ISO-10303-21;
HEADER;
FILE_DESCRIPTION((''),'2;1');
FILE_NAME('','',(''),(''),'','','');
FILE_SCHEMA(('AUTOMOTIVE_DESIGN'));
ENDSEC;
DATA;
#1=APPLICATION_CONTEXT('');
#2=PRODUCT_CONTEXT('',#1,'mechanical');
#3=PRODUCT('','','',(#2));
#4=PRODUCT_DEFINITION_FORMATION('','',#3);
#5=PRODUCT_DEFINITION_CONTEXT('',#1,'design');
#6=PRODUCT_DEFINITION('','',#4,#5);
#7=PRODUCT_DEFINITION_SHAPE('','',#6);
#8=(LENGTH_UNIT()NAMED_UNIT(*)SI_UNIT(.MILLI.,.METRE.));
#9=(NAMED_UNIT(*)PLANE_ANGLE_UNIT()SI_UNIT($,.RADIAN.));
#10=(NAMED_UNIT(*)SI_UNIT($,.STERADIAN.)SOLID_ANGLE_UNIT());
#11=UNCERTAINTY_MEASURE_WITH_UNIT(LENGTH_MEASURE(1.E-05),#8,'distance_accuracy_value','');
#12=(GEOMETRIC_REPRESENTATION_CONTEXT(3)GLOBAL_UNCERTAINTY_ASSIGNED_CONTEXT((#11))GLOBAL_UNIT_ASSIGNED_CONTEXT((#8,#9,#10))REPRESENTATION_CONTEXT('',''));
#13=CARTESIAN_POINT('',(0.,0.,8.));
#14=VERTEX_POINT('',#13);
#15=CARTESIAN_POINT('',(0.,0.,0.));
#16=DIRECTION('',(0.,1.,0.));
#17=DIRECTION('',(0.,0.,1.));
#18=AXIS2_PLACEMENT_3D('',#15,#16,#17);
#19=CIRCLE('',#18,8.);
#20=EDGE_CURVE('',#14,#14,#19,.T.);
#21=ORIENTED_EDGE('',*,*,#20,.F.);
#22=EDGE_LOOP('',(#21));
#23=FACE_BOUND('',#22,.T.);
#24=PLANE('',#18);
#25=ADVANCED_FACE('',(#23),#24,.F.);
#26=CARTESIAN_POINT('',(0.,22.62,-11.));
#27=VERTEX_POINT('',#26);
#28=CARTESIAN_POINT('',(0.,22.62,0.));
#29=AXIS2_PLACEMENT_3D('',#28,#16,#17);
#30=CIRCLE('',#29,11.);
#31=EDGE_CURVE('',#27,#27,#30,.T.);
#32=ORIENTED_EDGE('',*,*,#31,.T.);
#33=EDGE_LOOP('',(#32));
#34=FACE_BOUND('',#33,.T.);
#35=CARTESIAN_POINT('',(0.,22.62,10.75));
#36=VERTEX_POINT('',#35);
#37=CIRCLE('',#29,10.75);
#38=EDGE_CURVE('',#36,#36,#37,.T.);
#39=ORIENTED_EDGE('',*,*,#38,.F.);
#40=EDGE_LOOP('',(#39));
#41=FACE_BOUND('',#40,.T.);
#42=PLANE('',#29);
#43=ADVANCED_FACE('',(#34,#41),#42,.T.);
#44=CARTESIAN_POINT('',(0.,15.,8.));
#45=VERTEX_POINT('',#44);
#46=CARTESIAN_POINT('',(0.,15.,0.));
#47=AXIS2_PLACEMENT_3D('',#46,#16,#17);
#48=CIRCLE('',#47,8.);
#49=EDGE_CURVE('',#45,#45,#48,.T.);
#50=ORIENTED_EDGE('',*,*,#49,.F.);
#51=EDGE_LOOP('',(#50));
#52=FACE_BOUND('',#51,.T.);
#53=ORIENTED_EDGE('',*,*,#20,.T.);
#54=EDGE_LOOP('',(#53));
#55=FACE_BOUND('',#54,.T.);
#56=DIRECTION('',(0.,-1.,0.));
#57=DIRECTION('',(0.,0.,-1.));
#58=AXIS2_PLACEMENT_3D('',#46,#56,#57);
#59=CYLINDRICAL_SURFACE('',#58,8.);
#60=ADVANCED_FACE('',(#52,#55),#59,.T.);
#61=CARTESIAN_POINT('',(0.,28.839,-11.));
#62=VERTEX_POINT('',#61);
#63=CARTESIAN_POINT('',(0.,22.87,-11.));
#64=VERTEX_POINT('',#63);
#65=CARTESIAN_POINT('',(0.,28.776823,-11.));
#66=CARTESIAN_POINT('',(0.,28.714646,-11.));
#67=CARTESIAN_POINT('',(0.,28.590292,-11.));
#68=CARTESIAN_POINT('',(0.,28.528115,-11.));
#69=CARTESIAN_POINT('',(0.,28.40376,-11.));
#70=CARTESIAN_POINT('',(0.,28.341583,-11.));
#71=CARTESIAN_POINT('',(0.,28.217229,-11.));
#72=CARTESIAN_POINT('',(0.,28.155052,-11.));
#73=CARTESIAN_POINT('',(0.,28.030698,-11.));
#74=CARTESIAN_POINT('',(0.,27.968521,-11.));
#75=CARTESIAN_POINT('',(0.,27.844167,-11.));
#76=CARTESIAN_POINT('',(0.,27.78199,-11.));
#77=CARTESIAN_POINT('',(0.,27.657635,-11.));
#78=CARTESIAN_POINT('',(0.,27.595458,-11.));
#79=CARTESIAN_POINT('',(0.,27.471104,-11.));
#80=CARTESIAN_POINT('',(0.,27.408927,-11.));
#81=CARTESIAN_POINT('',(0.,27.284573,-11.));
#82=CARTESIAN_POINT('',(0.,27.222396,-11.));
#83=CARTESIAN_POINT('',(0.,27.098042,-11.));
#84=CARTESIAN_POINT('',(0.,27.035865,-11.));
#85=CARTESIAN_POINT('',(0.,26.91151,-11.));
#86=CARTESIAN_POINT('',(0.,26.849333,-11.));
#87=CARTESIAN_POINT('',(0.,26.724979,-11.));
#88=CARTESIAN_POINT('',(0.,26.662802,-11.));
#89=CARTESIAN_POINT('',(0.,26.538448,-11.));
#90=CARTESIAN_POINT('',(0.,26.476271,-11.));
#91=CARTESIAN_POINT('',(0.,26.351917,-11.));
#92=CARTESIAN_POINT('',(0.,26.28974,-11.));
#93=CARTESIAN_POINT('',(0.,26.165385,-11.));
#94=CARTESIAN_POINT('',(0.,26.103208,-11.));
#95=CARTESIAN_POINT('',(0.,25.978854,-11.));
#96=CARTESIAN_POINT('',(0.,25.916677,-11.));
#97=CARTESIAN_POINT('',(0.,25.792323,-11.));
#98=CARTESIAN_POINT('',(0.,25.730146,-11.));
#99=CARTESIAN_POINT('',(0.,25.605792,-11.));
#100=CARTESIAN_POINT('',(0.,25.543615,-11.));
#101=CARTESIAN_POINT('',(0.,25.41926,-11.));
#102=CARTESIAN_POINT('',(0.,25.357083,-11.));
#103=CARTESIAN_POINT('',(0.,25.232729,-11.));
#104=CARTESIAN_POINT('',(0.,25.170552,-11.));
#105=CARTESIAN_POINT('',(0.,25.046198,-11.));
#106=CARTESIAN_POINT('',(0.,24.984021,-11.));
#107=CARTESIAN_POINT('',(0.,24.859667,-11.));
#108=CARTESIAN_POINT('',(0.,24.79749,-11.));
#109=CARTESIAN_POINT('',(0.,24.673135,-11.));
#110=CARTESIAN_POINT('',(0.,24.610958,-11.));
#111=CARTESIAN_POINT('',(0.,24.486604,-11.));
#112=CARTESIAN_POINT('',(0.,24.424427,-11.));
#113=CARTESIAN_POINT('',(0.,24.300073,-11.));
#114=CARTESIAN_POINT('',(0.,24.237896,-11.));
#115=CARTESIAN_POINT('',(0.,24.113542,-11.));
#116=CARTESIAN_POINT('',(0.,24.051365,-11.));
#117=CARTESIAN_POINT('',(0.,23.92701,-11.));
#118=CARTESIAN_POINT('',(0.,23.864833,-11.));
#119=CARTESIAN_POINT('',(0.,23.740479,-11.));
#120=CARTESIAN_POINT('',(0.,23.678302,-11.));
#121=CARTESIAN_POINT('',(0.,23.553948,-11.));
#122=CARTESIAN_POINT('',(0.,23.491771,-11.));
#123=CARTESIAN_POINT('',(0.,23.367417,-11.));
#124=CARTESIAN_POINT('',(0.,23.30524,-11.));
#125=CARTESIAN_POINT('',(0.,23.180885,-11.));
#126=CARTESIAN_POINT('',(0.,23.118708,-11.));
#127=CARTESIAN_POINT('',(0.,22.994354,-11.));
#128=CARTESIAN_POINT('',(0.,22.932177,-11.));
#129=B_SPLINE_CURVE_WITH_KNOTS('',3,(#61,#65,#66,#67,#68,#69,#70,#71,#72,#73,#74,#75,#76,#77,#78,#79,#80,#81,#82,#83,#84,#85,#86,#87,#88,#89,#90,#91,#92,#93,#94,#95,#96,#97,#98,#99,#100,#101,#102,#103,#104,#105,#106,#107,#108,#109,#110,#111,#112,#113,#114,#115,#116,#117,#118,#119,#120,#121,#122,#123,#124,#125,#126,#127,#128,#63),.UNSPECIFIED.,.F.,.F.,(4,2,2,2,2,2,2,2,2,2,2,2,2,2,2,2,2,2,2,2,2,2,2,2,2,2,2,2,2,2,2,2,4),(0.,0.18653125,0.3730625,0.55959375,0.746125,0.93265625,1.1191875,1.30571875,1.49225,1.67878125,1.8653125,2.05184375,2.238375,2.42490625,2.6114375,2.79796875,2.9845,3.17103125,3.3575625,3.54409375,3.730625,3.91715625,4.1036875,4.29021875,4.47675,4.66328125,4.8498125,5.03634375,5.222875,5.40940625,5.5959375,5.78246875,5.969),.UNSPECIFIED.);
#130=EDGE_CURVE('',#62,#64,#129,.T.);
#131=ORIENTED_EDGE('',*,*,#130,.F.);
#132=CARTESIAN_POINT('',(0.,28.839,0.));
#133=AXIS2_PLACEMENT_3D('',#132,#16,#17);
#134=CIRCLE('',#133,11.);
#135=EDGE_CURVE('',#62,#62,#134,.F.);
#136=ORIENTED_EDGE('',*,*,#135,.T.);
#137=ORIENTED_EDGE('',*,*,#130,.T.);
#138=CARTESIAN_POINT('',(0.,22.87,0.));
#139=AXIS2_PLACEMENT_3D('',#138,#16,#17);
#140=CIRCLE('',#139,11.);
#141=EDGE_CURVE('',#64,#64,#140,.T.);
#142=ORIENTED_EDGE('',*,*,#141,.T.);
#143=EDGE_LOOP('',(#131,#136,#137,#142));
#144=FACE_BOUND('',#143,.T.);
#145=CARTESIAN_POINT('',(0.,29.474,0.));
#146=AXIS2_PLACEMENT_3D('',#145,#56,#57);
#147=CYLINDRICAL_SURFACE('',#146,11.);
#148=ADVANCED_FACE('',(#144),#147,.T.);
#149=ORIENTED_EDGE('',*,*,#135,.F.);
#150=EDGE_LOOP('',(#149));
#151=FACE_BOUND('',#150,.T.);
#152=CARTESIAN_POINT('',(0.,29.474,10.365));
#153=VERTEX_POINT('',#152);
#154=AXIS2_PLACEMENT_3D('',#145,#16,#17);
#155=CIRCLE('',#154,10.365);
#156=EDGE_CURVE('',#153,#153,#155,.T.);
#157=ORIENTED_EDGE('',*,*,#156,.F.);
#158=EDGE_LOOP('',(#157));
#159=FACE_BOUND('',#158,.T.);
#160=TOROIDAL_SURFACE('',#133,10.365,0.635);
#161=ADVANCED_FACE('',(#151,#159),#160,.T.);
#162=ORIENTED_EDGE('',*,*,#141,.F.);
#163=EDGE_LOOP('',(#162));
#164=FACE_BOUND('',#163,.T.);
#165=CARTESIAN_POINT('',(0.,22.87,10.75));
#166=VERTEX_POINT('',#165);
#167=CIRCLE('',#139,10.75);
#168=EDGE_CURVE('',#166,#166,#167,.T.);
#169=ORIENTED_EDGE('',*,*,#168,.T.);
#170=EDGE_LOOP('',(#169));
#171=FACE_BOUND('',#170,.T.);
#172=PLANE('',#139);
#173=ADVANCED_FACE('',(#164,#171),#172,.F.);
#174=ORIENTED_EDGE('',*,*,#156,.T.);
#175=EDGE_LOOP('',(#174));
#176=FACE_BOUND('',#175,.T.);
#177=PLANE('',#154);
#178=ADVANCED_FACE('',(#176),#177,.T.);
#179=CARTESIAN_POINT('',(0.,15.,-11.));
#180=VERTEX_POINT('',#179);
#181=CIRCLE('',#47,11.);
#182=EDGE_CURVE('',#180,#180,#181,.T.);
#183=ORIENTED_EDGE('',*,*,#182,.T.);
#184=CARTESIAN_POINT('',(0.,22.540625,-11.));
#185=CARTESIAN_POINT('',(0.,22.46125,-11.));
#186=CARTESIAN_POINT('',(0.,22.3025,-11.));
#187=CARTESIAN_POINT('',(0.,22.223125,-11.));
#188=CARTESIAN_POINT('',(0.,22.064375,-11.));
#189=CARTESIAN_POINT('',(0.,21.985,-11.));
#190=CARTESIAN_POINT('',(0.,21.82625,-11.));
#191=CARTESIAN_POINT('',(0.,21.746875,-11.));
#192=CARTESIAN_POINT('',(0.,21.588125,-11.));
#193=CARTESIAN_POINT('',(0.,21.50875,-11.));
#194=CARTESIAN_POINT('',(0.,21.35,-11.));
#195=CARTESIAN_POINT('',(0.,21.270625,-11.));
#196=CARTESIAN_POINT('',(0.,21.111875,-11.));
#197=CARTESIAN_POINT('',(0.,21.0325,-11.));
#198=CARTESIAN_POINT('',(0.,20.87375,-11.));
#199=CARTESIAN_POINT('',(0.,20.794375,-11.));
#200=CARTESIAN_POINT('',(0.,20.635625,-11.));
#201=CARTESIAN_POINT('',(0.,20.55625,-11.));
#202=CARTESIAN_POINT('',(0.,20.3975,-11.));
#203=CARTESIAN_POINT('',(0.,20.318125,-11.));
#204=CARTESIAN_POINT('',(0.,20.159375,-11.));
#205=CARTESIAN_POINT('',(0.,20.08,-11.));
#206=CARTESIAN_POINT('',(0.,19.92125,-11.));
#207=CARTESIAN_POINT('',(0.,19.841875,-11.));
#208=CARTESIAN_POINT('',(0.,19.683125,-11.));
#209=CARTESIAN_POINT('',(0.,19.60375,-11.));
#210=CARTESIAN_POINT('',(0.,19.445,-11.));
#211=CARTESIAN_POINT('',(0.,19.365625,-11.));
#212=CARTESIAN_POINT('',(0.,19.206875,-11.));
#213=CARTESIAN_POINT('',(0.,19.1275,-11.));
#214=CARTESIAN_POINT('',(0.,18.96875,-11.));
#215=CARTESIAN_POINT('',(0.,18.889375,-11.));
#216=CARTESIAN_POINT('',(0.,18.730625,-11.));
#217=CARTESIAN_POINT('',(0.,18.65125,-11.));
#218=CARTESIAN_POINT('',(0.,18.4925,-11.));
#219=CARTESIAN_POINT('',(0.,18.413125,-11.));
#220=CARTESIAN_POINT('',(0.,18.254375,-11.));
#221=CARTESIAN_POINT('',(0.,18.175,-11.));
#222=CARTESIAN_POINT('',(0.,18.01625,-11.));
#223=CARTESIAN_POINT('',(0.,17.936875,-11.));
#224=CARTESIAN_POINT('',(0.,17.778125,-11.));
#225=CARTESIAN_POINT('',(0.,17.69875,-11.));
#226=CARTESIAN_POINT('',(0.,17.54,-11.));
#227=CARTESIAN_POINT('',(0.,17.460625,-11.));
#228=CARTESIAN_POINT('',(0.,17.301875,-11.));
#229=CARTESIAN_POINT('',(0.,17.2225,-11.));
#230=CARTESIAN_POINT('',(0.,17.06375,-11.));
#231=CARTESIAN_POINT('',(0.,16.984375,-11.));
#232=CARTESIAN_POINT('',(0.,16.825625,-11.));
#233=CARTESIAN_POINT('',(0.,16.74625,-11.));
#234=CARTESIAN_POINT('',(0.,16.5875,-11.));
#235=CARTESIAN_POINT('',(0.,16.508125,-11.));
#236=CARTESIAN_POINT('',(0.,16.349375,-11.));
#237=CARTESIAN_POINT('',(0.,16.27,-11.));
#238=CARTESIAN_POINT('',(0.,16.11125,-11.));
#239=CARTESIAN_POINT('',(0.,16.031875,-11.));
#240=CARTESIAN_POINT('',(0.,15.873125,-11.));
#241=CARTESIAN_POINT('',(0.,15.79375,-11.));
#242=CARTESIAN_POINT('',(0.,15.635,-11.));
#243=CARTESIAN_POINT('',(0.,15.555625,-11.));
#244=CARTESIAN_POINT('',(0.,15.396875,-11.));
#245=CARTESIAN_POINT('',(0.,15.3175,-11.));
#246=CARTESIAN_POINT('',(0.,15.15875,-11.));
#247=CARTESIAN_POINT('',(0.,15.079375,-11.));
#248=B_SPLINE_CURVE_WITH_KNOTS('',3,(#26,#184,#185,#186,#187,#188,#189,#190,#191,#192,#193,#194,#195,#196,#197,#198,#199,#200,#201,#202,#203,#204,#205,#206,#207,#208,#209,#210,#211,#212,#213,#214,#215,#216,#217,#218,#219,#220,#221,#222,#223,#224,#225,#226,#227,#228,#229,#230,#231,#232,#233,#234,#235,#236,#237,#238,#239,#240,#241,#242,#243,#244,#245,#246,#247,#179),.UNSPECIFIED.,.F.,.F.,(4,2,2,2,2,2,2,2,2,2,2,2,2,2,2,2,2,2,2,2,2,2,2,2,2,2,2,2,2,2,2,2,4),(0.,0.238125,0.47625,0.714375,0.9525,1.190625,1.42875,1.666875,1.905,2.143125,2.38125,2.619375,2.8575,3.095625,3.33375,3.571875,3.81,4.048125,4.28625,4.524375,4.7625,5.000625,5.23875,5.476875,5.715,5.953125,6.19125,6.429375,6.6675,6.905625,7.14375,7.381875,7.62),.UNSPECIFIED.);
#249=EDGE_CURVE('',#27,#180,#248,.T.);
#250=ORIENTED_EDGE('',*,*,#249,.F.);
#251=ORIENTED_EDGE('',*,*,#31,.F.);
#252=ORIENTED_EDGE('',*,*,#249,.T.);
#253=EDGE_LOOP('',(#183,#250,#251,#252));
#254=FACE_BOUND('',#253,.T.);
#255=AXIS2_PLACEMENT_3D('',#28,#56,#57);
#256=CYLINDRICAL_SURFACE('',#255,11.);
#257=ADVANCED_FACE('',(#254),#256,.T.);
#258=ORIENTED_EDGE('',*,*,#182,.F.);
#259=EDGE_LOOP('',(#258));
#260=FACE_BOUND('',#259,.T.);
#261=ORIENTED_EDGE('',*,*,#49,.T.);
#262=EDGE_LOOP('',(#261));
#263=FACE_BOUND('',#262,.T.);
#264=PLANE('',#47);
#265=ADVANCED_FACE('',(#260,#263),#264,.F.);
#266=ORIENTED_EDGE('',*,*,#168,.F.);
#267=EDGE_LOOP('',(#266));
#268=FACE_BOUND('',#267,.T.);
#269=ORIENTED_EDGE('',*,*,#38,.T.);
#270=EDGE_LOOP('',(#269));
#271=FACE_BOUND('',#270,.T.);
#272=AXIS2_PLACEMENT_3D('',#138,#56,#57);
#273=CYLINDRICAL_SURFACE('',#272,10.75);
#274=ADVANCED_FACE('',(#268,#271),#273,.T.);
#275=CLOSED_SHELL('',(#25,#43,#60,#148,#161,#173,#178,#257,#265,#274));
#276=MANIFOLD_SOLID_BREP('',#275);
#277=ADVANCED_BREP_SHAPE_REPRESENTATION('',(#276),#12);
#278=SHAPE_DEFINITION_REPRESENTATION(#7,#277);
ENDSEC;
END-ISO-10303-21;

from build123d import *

# Parameters (mm, degrees)
SKETCH1_R      = 8
EXTRUDE1_DEPTH = 15
SKETCH2_R      = 11
EXTRUDE2_DEPTH = 7.62
SKETCH3_R      = 10.75
EXTRUDE3_DEPTH = 0.25
SKETCH4_R      = 11
EXTRUDE4_DEPTH = 6.604
FILLET1_R      = 0.635


with BuildPart() as part:
    # Sketch1 → Extrude1 (new body)
    with BuildSketch(Plane(origin=(0, 0, 0), x_dir=(1, 0, 0), z_dir=(0, 1, 0))):
        with Locations(Location((0, 0, 0), (0, 0, 270))):
            Circle(SKETCH1_R)
    extrude(amount=EXTRUDE1_DEPTH)

    # Sketch2 → Extrude2 (add)
    with BuildSketch(Plane(origin=(0, 15, 0), x_dir=(-1, 0, 0), z_dir=(0, 1, 0))):
        with Locations(Location((0, 0, 0), (0, 0, 270))):
            Circle(SKETCH2_R)
    extrude(amount=EXTRUDE2_DEPTH)

    # Sketch3 → Extrude3 (add)
    with BuildSketch(Plane(origin=(0, 22.62, 0), x_dir=(-1, 0, 0), z_dir=(0, 1, 0))):
        with Locations(Location((0, 0, 0), (0, 0, 90))):
            Circle(SKETCH3_R)
    extrude(amount=EXTRUDE3_DEPTH)

    # Sketch4 → Extrude4 (add)
    with BuildSketch(Plane(origin=(0, 22.87, 0), x_dir=(-1, 0, 0), z_dir=(0, 1, 0))):
        with Locations(Location((0, 0, 0), (0, 0, 270))):
            Circle(SKETCH4_R)
    extrude(amount=EXTRUDE4_DEPTH)

    # Fillet1
    fillet1_edges = [part.edges().sort_by_distance(p)[0] for p in [
        (0, 29.474, 11),
    ]]
    fillet(fillet1_edges, radius=FILLET1_R)


solid = part.part
